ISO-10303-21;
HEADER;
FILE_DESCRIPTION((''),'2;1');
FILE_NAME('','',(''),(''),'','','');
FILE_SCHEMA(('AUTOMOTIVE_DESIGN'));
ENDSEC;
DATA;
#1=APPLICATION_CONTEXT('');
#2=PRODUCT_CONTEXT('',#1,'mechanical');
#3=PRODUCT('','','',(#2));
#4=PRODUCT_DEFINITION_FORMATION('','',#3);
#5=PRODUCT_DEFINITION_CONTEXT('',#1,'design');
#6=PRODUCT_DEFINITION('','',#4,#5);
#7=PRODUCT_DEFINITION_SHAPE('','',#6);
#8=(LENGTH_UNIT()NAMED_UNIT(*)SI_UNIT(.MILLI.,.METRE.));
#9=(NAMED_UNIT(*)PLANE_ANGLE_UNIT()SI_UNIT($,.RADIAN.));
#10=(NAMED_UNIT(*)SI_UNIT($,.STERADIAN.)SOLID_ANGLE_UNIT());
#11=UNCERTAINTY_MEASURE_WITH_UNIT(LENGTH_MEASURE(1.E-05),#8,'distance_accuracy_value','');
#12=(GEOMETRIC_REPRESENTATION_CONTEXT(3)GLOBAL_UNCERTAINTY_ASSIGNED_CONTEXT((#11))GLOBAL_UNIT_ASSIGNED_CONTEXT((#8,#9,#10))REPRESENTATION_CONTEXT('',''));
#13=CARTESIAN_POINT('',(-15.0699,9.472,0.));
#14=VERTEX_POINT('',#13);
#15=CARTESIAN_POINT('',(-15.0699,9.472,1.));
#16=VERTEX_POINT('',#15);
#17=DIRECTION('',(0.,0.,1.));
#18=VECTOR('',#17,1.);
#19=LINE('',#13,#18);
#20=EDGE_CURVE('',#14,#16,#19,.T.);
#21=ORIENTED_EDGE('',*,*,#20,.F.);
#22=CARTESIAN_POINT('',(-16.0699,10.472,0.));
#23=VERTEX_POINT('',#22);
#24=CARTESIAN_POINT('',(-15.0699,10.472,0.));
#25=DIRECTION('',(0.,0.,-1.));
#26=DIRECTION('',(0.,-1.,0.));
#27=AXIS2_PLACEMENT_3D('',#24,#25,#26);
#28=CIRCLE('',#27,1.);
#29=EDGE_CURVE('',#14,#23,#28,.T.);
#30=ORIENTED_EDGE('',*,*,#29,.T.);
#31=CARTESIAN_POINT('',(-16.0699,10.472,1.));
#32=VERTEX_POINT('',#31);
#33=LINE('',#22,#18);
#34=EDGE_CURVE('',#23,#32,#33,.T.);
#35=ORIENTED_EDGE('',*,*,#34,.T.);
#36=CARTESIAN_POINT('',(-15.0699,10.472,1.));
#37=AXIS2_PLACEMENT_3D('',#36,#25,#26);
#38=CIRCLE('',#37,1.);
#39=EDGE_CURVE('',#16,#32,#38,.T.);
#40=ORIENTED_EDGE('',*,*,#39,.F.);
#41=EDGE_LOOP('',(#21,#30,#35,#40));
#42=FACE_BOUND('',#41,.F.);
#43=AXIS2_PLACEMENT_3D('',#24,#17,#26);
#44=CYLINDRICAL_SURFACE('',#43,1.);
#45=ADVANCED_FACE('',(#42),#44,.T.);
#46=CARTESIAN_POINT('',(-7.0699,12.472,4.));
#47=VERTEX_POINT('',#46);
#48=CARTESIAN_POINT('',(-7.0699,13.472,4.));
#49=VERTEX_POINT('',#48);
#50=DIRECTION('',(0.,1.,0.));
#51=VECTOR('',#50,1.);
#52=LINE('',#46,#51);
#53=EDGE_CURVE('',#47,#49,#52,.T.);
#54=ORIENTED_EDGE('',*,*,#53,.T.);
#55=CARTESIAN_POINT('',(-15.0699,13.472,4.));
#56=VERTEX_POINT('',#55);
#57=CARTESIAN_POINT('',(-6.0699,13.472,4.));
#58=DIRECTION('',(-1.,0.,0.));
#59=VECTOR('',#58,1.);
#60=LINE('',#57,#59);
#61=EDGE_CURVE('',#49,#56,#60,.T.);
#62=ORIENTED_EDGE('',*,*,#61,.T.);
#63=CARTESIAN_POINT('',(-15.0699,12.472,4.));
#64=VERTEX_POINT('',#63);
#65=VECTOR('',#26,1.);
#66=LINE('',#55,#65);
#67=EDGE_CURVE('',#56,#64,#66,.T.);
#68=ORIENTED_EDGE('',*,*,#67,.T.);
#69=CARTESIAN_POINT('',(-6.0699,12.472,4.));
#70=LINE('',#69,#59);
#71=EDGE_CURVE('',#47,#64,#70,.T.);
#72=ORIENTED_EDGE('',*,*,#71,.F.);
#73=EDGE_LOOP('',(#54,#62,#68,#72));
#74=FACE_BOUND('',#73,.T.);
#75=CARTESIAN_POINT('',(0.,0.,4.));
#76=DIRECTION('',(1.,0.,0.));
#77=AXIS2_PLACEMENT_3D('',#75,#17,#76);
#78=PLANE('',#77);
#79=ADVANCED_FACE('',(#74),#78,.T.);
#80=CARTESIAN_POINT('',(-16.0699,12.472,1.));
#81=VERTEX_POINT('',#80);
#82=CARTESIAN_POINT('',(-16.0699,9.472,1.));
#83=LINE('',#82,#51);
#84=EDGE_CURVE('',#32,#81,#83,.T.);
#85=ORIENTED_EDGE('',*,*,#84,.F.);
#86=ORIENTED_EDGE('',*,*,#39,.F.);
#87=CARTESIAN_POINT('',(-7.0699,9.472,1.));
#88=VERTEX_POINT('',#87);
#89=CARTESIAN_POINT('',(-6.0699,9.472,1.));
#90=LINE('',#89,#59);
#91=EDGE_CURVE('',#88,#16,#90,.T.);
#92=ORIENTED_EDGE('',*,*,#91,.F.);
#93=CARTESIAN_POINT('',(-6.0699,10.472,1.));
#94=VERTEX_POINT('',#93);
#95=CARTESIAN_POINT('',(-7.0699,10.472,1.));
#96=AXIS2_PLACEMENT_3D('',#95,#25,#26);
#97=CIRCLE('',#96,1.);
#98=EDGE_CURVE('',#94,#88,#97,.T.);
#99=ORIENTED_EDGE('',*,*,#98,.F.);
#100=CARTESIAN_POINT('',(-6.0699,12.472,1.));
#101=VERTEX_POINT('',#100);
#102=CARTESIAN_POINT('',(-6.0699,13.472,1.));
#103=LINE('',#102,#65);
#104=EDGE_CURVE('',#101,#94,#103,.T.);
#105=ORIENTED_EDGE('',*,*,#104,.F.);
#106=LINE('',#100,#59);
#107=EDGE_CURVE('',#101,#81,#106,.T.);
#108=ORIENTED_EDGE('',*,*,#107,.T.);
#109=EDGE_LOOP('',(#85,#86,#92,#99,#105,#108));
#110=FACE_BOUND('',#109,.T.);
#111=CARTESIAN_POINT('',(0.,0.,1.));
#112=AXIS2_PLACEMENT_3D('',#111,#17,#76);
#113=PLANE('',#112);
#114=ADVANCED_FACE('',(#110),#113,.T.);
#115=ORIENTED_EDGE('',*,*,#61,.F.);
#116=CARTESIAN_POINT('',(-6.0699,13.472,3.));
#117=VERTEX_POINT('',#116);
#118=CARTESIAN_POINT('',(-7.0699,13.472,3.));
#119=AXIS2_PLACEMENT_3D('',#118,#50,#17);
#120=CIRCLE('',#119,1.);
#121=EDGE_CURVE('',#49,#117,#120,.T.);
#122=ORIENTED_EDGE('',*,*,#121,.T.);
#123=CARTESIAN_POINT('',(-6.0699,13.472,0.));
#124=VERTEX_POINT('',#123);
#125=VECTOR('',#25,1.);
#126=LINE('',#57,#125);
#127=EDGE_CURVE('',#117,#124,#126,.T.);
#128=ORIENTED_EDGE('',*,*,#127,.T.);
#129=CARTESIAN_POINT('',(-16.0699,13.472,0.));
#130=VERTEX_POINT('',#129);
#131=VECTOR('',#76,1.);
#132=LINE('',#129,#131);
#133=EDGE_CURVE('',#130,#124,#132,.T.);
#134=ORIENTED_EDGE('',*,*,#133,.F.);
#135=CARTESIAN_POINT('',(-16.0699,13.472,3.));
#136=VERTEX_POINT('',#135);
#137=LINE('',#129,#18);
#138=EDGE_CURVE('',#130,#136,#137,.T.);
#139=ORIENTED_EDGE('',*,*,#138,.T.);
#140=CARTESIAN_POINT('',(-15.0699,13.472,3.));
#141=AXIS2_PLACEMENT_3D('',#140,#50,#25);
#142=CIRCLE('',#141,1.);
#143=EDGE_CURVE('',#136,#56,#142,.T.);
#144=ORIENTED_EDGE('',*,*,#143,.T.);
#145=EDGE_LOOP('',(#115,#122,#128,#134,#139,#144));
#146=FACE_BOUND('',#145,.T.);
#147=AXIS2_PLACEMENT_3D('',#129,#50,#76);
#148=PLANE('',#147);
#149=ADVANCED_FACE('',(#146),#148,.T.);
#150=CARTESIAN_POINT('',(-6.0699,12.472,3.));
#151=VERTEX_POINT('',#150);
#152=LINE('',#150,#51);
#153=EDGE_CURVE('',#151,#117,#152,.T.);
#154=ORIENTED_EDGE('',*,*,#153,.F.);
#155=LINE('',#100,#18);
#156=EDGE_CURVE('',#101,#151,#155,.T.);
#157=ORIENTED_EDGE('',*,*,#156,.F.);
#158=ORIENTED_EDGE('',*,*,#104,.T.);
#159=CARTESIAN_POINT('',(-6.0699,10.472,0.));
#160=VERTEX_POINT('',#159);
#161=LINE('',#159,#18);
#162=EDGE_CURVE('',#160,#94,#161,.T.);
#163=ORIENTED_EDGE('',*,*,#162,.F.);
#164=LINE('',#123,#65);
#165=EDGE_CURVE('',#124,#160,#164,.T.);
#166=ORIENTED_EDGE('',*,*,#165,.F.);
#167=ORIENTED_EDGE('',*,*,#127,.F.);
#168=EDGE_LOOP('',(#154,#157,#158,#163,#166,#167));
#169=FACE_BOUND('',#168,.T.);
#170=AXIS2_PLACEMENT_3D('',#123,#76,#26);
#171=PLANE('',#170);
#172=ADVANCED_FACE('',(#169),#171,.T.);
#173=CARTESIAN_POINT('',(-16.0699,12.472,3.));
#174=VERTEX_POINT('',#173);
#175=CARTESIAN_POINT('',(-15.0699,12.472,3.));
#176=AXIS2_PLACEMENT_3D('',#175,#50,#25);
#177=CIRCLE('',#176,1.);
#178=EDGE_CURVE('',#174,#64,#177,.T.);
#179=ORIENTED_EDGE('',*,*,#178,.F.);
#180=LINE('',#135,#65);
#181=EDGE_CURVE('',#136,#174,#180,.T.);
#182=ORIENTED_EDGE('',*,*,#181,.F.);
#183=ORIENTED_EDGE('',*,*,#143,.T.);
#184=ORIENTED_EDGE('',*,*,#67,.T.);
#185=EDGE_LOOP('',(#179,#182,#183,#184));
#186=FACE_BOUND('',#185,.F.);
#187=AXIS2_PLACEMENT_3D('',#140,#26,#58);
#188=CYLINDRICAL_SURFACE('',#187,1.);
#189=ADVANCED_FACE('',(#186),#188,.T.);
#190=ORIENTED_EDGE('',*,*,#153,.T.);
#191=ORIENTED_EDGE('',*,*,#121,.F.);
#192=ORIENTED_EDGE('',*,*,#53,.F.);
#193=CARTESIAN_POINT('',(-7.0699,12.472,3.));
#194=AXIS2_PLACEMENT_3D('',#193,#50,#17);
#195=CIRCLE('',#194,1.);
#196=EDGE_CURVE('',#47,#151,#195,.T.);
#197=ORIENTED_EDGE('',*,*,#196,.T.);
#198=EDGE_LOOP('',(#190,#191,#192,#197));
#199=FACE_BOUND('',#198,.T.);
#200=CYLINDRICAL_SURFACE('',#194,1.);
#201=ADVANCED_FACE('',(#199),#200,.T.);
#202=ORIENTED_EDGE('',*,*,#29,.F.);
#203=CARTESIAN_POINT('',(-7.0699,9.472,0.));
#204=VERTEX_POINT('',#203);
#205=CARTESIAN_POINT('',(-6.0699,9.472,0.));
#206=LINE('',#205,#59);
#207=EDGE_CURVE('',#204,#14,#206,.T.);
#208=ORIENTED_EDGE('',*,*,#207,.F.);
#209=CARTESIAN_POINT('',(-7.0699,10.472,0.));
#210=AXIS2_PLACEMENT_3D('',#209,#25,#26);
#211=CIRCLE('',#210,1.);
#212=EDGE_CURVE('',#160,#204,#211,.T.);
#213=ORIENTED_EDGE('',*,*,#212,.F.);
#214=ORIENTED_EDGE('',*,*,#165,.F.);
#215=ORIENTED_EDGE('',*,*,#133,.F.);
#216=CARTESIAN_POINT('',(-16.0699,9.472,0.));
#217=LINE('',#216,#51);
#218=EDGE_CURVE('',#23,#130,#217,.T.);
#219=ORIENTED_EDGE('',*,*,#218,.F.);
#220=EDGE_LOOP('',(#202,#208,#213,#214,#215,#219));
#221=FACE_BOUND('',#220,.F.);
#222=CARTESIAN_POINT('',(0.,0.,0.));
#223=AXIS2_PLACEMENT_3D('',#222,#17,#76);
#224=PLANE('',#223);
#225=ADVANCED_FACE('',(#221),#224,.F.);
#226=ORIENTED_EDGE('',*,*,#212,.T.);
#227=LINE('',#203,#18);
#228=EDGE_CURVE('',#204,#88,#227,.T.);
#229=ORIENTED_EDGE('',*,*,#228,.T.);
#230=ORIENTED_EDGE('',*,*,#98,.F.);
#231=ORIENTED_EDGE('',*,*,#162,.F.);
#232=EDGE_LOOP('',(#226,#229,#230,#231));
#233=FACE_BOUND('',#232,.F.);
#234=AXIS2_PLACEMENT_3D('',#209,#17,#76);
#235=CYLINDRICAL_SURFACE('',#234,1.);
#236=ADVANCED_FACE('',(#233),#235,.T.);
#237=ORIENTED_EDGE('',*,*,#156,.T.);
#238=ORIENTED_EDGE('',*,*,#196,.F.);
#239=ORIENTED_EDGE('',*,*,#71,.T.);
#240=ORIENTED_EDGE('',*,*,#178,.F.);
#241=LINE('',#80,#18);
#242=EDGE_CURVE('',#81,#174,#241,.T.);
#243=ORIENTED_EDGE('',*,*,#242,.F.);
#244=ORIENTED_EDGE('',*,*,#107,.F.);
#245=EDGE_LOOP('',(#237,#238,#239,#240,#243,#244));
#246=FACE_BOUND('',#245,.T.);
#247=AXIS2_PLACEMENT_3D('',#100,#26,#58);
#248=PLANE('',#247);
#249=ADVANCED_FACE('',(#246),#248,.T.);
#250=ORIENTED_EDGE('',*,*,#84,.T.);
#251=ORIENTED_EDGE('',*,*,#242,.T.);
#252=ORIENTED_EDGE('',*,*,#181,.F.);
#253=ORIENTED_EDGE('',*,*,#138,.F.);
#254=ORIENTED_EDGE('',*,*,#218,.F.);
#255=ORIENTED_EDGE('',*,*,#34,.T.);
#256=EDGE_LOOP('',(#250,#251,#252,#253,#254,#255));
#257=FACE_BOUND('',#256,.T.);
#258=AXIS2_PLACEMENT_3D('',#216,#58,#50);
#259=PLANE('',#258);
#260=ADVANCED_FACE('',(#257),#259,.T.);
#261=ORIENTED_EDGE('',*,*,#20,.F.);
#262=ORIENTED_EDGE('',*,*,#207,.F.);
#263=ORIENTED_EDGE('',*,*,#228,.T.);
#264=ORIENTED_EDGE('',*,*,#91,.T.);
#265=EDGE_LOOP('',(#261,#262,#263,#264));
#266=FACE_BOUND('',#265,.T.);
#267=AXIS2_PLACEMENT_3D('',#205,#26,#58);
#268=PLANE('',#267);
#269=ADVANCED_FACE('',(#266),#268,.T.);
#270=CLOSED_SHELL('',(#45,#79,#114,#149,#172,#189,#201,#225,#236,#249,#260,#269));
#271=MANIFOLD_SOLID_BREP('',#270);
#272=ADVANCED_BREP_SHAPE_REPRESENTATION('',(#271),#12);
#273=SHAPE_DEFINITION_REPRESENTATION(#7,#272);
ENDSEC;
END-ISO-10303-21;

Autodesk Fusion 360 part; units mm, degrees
sketch "Sketch1" plane through (0, 0, 0) normal (0, 0, 1) x (1, 0, 0)
  line L0 (-16.0699, 13.472) -> (-6.0699, 13.472)
  line L1 (-6.0699, 13.472) -> (-6.0699, 9.472)
  line L2 (-6.0699, 9.472) -> (-16.0699, 9.472)
  line L3 (-16.0699, 9.472) -> (-16.0699, 13.472)
  dimension "d1" = 10
  dimension "d2" = 4
extrude "Extrude1" add sketch "Sketch1" along normal blind 1
sketch "Sketch2" plane through (0, 0, 1) normal (0, 0, 1) x (1, 0, 0)
  line L0 (-16.0699, 9.472) -> (-6.0699, 9.472)
  line L1 (-6.0699, 9.472) -> (-6.0699, 13.472)
  line L2 (-6.0699, 13.472) -> (-16.0699, 13.472)
  line L3 (-16.0699, 13.472) -> (-16.0699, 9.472)
  line L4 (-16.0699, 13.472) -> (-6.0699, 13.472)
  line L5 (-6.0699, 13.472) -> (-6.0699, 12.472)
  line L6 (-6.0699, 12.472) -> (-16.0699, 12.472)
  line L7 (-16.0699, 12.472) -> (-16.0699, 13.472)
  dimension "d5" = 1
  dimension "d6" = 10
extrude "Extrude2" add sketch "Sketch2" along normal blind 3 contours L1 L2 L3 L4 L5 L6 L7
fillet "Fillet1" radius 1 1 edges at (-6.0699, 9.472, 0.5)
fillet "Fillet2" radius 1 1 edges at (-16.0699, 9.472, 0.5)
fillet "Fillet3" radius 1 1 edges at (-16.0699, 12.972, 4)
fillet "Fillet4" radius 1 1 edges at (-6.0699, 12.972, 4)
